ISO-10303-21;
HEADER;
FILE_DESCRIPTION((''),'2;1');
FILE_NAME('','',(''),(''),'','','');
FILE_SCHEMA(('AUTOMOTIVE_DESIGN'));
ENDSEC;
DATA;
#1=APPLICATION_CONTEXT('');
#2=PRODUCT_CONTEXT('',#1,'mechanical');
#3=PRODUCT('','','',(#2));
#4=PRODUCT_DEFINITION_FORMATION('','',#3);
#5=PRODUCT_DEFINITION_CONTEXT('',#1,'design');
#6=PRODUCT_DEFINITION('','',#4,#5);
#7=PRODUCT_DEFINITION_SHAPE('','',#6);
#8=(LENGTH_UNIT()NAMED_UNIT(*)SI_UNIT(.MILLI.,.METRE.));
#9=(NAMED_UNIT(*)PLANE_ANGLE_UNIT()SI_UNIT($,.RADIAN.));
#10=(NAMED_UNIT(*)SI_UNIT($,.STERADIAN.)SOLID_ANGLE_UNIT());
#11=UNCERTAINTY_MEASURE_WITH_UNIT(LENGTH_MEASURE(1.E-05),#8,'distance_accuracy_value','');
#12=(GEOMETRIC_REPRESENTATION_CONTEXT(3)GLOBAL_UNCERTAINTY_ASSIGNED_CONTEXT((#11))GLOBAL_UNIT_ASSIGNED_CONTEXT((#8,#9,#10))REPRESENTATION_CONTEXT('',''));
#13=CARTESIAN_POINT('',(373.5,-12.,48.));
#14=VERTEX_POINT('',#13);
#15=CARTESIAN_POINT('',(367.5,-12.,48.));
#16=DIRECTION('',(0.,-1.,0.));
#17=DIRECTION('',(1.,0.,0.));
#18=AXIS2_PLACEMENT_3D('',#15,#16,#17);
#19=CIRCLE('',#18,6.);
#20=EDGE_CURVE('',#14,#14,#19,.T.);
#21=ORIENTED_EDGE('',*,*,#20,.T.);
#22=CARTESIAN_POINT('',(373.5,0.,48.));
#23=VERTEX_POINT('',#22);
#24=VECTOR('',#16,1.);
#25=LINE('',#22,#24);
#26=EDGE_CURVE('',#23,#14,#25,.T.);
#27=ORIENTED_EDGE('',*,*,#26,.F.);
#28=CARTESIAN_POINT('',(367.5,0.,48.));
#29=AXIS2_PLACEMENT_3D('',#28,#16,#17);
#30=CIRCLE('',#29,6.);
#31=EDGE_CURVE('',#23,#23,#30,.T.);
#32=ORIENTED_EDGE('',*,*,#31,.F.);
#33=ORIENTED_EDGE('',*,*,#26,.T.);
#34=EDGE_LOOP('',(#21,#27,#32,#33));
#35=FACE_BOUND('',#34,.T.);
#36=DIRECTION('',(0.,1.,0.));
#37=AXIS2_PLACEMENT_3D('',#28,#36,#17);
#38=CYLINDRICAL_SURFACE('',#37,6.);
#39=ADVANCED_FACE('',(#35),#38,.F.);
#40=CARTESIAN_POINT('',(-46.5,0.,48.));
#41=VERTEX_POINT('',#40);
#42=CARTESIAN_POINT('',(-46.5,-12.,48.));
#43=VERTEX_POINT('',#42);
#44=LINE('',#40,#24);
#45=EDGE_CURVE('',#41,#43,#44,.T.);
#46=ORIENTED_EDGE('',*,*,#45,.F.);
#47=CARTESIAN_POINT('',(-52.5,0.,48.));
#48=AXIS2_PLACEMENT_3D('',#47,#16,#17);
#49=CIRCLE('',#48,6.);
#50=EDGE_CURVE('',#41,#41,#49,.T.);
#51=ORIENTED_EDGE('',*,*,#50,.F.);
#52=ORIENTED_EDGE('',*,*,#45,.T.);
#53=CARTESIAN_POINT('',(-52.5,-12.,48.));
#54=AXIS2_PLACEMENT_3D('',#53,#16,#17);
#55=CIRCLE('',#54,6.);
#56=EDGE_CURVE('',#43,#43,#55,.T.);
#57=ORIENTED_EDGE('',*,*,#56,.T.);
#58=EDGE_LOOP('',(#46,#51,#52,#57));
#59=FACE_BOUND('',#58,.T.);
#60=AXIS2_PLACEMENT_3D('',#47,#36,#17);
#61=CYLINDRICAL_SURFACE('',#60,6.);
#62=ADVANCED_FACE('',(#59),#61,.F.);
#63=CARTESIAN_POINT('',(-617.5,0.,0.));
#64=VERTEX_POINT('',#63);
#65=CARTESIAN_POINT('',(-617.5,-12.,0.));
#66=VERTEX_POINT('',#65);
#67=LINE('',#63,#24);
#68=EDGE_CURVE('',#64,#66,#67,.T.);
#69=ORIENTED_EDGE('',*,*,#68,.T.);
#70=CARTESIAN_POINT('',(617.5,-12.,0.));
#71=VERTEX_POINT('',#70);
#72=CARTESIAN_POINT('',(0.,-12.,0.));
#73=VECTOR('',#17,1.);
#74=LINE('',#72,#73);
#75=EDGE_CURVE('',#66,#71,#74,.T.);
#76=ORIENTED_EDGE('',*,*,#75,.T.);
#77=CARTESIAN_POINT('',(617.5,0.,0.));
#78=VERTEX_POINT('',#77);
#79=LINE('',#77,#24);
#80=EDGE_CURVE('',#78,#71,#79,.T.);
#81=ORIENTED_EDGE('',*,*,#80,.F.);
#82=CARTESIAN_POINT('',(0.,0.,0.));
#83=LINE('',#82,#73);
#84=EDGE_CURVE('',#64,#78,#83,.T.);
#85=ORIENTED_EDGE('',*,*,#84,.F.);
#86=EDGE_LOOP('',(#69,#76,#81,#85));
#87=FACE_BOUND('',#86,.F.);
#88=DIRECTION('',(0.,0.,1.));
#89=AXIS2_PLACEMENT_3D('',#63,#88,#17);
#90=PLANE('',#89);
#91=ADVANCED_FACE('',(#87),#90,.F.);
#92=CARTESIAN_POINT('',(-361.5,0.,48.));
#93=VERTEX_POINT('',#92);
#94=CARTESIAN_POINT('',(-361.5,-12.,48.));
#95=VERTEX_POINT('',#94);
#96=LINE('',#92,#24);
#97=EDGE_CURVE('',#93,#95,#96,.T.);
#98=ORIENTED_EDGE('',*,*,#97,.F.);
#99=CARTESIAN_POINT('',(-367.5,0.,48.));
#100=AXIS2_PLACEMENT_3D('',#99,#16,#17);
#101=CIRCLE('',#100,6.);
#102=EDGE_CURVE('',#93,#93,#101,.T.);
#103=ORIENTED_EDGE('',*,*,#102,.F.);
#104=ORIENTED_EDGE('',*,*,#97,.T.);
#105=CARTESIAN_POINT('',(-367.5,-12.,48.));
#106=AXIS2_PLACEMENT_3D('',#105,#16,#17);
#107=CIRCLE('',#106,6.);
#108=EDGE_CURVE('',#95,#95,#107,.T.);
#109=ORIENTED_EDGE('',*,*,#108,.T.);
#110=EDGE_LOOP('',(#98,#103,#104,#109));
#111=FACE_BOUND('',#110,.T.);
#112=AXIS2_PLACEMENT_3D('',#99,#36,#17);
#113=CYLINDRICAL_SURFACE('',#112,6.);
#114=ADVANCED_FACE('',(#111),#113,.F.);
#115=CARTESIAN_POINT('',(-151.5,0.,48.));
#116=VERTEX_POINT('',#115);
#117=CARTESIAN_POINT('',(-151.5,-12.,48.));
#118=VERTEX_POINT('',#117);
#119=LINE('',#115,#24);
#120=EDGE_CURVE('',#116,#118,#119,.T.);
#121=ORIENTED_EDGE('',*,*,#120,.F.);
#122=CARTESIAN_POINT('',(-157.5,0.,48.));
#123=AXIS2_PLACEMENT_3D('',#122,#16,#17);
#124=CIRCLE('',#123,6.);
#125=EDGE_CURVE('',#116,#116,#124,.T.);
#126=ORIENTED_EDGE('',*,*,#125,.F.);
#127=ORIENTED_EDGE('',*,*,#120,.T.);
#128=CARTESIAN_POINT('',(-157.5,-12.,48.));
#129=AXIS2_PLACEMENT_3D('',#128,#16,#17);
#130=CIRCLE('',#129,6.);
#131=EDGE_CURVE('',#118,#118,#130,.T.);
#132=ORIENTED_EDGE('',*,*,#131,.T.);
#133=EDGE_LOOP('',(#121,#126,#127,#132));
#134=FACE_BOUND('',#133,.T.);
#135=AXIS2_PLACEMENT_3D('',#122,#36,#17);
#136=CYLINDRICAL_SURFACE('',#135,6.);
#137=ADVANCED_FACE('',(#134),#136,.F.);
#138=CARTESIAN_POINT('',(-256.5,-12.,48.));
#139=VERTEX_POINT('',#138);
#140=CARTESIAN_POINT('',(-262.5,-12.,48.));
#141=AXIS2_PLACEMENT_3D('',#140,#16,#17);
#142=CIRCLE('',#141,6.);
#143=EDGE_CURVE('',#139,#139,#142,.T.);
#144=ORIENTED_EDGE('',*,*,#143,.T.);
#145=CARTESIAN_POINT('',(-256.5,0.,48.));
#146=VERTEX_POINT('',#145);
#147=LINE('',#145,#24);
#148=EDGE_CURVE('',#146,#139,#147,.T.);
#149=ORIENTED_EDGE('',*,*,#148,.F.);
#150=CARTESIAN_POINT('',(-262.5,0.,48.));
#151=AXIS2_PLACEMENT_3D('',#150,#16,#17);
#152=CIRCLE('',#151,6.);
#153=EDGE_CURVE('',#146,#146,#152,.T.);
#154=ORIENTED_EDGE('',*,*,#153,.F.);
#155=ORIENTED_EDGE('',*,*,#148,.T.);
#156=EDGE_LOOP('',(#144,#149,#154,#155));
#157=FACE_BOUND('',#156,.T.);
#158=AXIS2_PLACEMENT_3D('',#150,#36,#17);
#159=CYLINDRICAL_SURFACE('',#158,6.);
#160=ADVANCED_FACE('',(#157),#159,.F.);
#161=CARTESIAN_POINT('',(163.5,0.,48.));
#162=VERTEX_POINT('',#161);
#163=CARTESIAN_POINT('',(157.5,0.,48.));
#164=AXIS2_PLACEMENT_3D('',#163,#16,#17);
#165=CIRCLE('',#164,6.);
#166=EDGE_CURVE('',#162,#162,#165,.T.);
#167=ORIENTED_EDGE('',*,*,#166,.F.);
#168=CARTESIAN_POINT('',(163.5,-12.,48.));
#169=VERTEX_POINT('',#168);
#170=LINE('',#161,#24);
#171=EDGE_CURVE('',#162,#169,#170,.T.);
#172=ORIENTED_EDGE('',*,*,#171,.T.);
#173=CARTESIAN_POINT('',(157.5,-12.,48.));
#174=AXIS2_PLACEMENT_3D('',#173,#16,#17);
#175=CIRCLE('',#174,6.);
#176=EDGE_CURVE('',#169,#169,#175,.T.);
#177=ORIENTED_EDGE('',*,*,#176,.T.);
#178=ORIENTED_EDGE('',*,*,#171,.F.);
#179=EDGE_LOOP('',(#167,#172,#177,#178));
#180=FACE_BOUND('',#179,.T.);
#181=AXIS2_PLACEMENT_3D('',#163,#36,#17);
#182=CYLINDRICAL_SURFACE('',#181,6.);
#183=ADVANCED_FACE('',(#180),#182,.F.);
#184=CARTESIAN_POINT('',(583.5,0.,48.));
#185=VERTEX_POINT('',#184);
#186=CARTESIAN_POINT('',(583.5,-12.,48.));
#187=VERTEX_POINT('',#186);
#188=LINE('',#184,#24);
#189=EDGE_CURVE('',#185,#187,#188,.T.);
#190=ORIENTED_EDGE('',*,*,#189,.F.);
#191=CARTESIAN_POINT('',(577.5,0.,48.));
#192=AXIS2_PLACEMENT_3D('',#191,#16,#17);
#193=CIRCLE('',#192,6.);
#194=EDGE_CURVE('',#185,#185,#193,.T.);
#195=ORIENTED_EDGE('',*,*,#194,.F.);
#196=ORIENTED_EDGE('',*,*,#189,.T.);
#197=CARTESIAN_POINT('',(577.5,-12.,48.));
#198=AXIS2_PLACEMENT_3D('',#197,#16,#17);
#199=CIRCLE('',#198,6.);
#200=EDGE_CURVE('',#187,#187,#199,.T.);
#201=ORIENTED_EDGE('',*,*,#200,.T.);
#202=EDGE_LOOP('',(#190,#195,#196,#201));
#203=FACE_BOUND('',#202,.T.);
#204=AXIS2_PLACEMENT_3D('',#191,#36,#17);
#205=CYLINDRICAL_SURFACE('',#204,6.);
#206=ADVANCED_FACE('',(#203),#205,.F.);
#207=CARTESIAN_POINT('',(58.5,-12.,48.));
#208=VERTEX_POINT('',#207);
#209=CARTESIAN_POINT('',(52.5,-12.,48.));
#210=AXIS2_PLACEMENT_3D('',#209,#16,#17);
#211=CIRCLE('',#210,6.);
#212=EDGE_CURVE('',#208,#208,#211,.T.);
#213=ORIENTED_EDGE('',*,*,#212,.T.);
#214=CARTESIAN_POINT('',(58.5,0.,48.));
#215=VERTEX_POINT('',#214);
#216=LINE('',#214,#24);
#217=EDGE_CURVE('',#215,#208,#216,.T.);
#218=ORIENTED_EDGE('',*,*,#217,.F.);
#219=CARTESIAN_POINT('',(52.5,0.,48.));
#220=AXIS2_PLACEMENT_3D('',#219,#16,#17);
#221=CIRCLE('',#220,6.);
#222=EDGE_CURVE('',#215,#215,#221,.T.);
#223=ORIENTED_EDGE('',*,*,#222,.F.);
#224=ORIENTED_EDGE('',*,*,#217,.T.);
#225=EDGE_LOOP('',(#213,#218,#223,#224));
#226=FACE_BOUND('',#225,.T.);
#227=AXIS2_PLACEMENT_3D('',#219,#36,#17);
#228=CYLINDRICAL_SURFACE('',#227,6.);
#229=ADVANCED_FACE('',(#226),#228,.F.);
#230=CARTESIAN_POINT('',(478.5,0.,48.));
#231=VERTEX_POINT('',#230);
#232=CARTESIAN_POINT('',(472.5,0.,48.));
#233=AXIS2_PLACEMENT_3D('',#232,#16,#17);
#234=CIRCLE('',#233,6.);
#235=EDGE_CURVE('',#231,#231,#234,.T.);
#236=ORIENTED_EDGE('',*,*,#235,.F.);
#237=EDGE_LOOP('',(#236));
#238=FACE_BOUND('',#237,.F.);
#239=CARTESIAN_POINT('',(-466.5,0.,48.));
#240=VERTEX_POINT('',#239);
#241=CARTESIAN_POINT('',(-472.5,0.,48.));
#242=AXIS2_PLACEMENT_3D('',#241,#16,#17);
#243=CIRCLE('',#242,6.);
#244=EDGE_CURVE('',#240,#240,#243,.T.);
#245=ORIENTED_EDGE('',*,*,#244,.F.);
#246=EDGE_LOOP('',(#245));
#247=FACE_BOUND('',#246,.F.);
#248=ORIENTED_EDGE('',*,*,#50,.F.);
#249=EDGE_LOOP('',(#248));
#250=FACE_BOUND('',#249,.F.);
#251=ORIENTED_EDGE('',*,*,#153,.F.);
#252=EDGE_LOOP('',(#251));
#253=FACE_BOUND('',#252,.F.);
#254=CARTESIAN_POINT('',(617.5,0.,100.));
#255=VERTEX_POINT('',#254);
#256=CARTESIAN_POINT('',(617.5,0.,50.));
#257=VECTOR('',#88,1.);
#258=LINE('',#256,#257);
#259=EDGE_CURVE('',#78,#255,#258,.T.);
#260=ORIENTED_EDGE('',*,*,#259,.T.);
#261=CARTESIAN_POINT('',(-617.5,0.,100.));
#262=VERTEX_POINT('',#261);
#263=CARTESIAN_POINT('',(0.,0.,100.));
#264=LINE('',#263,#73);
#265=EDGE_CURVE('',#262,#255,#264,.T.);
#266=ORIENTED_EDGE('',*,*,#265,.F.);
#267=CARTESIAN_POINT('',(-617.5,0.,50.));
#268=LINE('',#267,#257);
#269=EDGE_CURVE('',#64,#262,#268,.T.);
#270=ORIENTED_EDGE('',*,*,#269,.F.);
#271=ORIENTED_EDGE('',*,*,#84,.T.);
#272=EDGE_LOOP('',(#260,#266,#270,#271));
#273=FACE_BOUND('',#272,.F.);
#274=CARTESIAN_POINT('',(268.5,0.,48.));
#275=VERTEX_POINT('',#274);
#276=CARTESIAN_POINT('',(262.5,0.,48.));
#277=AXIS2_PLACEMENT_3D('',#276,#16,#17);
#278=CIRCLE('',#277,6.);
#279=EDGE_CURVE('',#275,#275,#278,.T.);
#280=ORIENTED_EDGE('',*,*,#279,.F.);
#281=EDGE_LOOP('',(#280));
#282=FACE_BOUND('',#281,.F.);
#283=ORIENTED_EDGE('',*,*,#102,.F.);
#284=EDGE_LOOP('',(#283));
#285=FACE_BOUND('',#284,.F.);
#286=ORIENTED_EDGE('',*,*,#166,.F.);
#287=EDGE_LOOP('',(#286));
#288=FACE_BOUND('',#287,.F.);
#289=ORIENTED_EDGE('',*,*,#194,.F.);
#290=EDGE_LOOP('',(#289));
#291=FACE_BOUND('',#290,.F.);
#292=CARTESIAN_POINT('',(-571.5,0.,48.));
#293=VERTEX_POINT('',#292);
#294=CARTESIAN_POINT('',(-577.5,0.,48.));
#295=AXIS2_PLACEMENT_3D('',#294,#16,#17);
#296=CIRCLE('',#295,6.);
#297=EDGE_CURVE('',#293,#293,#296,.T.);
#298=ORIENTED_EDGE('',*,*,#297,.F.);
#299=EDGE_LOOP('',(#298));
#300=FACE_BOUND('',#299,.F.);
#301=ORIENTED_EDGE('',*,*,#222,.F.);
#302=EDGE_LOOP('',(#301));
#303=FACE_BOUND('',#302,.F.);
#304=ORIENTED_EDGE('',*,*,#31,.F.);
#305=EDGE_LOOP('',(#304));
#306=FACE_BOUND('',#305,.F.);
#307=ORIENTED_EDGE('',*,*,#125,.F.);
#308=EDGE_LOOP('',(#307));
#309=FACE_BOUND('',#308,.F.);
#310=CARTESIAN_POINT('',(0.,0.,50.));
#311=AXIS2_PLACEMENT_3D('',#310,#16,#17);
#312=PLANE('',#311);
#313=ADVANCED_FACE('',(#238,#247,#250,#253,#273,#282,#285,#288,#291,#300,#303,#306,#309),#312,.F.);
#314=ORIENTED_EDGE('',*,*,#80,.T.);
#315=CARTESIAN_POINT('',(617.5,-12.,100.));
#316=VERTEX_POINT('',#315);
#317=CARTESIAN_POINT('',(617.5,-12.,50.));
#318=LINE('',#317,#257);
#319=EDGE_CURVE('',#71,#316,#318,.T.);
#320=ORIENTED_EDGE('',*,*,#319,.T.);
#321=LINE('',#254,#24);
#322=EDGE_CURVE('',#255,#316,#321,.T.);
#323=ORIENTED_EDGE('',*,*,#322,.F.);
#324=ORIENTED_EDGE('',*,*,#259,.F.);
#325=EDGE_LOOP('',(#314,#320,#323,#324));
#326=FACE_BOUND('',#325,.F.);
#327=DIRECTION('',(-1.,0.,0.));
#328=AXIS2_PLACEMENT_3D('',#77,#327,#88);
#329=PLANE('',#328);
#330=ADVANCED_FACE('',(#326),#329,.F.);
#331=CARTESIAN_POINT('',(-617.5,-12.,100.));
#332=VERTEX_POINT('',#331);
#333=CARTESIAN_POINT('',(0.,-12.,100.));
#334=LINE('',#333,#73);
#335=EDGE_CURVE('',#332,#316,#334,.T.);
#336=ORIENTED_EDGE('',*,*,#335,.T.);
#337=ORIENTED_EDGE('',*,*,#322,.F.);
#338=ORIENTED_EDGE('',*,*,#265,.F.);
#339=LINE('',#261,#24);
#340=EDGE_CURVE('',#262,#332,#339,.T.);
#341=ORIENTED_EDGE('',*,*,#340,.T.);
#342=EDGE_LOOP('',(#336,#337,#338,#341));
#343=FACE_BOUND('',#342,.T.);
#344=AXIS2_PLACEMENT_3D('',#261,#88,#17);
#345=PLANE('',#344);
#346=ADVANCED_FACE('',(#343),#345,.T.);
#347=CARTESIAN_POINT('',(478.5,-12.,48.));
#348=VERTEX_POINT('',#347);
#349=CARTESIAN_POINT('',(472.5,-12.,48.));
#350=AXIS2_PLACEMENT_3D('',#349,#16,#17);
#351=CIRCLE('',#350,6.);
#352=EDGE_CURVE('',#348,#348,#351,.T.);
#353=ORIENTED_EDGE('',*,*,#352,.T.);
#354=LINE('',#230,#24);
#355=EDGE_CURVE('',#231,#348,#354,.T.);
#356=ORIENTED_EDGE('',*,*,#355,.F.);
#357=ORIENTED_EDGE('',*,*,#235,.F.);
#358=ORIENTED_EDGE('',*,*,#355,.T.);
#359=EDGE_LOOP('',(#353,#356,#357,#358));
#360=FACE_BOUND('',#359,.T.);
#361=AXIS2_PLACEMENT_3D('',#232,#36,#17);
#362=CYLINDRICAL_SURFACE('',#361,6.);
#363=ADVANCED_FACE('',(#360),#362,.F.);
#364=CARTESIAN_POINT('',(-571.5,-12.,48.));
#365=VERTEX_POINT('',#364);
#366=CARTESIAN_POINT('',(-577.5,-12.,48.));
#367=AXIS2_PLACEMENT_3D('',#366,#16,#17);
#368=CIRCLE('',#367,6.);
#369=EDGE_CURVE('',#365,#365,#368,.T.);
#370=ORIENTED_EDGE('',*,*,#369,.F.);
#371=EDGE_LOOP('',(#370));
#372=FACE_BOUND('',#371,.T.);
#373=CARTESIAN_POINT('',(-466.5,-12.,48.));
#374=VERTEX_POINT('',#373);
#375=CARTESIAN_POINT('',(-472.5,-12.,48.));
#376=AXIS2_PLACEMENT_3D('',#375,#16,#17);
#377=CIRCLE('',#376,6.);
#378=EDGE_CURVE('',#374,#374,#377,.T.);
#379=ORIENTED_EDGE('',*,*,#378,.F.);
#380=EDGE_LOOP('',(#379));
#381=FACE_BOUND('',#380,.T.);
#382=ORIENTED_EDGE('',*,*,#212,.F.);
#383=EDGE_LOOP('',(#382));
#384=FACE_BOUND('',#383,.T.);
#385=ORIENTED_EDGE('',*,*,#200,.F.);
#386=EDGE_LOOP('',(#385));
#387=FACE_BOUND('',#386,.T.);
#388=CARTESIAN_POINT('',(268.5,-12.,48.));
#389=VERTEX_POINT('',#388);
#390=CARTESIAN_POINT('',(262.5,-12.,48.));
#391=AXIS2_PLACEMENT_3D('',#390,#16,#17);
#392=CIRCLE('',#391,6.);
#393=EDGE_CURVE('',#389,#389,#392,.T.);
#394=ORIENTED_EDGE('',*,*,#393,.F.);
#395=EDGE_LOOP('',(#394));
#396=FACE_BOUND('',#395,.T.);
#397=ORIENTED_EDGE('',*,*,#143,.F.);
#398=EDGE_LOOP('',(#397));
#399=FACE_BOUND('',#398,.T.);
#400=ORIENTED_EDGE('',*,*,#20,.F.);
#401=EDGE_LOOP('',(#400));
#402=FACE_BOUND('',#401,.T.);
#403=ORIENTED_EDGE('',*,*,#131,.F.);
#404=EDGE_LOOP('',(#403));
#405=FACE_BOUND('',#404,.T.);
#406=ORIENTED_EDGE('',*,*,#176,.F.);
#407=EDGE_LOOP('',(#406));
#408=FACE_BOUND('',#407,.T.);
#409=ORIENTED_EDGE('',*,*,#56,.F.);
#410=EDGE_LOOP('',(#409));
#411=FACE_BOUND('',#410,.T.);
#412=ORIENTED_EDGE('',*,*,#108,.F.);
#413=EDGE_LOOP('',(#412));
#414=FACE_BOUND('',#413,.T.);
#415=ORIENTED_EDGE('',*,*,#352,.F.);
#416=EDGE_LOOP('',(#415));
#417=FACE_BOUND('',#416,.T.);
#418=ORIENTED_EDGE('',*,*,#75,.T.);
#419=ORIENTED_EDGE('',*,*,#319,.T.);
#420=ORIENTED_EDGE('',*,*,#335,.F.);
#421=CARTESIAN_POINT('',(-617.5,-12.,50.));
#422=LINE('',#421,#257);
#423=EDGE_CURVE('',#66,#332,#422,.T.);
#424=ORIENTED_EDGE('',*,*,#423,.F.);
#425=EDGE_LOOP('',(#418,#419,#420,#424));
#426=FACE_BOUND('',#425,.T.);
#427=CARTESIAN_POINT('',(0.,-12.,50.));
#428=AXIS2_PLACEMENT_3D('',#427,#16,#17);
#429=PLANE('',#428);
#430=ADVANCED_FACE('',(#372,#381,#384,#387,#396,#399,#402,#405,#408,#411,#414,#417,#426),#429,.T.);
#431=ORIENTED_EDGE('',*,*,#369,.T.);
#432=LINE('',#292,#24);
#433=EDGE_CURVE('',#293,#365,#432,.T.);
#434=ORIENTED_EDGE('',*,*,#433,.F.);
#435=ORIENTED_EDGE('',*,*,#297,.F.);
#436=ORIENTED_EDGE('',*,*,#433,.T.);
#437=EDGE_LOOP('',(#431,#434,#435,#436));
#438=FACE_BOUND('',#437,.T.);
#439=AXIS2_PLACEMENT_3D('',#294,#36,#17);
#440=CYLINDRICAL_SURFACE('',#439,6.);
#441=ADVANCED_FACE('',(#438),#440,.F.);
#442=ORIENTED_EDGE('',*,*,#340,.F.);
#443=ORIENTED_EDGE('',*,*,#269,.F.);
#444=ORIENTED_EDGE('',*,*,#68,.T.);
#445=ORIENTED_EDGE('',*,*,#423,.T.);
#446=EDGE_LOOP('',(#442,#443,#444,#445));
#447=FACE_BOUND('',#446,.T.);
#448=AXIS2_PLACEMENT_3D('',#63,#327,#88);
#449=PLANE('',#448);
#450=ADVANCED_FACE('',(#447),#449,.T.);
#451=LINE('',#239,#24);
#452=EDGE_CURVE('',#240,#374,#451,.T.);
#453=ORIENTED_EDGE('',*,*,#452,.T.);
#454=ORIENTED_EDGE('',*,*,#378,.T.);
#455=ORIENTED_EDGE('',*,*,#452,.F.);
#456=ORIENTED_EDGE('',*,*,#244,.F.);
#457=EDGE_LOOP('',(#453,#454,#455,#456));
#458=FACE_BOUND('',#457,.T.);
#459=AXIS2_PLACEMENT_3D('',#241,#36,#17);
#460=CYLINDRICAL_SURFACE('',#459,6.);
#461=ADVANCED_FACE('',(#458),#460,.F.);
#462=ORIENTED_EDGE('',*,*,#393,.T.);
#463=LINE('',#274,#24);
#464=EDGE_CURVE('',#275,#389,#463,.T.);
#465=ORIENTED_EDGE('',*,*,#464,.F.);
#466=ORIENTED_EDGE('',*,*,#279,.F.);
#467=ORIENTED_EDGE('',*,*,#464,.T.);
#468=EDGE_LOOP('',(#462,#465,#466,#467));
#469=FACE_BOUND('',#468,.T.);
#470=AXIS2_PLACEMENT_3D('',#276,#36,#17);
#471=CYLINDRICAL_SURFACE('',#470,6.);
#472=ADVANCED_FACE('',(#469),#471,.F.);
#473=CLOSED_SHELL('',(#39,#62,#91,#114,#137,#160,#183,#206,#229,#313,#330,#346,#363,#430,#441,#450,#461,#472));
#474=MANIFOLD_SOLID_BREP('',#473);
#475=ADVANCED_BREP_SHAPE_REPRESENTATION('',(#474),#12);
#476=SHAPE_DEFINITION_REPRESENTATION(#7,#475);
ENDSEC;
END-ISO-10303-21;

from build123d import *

# Parameters (mm, degrees)
F0_W     = 1235
F0_H     = 100
F0_R     = 6
F1_DEPTH = 12


with BuildPart() as f1:
    # F0 (on Front) → F1 (new body)
    with BuildSketch(Plane.XZ):
        with Locations((0, 50)):
            Rectangle(F0_W, F0_H)
        with Locations((-577.5, 48)):
            Circle(F0_R, mode=Mode.SUBTRACT)
        with Locations((-472.5, 48)):
            Circle(F0_R, mode=Mode.SUBTRACT)
        with Locations((-367.5, 48)):
            Circle(F0_R, mode=Mode.SUBTRACT)
        with Locations((-262.5, 48)):
            Circle(F0_R, mode=Mode.SUBTRACT)
        with Locations((-157.5, 48)):
            Circle(F0_R, mode=Mode.SUBTRACT)
        with Locations((-52.5, 48)):
            Circle(F0_R, mode=Mode.SUBTRACT)
        with Locations((52.5, 48)):
            Circle(F0_R, mode=Mode.SUBTRACT)
        with Locations((157.5, 48)):
            Circle(F0_R, mode=Mode.SUBTRACT)
        with Locations((262.5, 48)):
            Circle(F0_R, mode=Mode.SUBTRACT)
        with Locations((367.5, 48)):
            Circle(F0_R, mode=Mode.SUBTRACT)
        with Locations((472.5, 48)):
            Circle(F0_R, mode=Mode.SUBTRACT)
        with Locations((577.5, 48)):
            Circle(F0_R, mode=Mode.SUBTRACT)
    extrude(amount=F1_DEPTH)


solid = f1.part
